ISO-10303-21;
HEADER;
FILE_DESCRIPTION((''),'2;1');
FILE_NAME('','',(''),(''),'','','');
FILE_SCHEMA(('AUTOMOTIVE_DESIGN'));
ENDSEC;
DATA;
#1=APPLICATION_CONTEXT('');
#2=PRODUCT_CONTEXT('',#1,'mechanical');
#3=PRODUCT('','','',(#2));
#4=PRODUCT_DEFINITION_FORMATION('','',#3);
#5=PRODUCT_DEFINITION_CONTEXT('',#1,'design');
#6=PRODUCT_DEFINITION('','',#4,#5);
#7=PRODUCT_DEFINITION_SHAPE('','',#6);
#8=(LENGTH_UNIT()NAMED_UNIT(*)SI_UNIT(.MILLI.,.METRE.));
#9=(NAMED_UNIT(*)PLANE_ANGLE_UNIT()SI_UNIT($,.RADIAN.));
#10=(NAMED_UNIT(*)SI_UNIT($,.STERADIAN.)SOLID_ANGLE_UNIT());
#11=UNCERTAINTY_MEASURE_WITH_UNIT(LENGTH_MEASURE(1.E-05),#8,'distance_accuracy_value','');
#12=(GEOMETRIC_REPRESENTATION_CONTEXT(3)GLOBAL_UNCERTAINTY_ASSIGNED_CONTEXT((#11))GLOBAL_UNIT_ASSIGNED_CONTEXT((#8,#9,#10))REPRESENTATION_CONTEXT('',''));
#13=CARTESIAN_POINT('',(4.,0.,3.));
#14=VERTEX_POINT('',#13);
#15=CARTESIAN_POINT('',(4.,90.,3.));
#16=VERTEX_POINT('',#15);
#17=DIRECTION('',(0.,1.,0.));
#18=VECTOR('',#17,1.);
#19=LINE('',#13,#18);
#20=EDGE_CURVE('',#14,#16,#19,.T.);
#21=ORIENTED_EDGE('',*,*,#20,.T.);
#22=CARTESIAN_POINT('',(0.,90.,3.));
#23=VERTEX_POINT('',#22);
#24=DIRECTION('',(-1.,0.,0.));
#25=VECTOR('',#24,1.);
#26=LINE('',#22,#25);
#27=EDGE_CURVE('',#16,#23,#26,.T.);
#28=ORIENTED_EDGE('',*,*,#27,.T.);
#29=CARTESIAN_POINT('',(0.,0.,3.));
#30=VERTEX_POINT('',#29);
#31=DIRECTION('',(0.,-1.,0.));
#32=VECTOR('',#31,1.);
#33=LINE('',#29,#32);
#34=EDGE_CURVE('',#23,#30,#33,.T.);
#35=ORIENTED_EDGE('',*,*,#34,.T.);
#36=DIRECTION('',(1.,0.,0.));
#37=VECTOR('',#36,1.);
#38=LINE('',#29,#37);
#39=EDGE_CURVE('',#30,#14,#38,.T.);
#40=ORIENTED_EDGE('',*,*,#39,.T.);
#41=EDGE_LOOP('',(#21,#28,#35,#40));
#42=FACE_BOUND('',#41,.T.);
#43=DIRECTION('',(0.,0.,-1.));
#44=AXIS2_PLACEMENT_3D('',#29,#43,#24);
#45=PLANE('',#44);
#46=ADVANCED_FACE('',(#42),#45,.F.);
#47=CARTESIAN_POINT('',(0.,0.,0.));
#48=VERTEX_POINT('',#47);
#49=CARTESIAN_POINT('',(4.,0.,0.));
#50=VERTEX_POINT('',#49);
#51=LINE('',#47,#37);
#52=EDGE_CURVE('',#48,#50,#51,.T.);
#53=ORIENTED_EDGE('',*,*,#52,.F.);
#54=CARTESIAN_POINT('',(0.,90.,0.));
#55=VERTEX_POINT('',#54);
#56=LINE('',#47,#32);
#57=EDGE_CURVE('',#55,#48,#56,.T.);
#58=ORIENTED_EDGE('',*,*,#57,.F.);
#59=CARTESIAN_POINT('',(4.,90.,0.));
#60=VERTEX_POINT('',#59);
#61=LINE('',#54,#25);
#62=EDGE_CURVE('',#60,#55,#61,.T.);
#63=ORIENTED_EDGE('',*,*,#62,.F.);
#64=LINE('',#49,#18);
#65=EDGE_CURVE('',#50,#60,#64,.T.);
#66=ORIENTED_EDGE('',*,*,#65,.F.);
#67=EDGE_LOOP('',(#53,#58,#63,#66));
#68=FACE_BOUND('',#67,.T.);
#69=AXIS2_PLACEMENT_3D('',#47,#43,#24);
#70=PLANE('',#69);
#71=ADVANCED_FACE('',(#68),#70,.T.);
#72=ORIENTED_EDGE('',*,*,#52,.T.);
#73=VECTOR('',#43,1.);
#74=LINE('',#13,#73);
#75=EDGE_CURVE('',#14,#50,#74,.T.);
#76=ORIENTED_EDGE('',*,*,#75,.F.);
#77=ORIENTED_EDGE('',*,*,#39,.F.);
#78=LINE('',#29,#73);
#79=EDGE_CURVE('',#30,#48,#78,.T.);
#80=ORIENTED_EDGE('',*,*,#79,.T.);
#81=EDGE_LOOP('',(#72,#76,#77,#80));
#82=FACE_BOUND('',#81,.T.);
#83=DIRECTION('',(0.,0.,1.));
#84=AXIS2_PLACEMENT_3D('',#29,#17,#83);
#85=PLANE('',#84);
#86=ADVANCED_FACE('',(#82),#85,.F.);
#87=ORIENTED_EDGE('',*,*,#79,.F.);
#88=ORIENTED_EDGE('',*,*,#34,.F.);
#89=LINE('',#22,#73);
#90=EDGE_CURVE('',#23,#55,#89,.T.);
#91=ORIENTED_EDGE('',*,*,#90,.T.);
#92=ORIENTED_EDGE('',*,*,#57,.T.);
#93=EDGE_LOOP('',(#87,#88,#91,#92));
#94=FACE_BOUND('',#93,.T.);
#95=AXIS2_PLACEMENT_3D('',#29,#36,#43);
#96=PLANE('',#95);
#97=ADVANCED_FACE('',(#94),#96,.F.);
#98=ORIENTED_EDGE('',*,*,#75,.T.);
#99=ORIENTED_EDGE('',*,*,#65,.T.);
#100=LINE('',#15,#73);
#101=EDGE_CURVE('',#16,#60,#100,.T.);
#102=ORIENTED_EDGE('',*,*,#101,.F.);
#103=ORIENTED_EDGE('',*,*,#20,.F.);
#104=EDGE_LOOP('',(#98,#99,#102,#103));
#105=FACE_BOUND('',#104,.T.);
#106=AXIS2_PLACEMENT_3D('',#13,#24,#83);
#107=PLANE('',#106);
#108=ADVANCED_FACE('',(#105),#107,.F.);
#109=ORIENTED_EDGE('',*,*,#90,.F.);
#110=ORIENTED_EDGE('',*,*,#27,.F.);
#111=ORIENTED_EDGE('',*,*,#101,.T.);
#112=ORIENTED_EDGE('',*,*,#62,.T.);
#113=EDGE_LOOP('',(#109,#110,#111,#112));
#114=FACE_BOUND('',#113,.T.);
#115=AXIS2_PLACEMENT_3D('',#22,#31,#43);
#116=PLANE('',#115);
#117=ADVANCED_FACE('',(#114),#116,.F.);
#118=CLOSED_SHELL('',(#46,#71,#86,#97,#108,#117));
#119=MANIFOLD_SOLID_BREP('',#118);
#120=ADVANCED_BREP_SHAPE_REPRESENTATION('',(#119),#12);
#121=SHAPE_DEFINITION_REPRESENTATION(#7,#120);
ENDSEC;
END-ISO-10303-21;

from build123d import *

# Parameters (mm, degrees)
SKETCH_1_W      = 4
SKETCH_1_H      = 90
EXTRUDE_1_DEPTH = 3


with BuildPart() as part:
    # 草图1 → 凸台-拉伸1 (new body)
    with BuildSketch(Plane.XY):
        with Locations((2, 45)):
            Rectangle(SKETCH_1_W, SKETCH_1_H)
    extrude(amount=EXTRUDE_1_DEPTH)


solid = part.part
